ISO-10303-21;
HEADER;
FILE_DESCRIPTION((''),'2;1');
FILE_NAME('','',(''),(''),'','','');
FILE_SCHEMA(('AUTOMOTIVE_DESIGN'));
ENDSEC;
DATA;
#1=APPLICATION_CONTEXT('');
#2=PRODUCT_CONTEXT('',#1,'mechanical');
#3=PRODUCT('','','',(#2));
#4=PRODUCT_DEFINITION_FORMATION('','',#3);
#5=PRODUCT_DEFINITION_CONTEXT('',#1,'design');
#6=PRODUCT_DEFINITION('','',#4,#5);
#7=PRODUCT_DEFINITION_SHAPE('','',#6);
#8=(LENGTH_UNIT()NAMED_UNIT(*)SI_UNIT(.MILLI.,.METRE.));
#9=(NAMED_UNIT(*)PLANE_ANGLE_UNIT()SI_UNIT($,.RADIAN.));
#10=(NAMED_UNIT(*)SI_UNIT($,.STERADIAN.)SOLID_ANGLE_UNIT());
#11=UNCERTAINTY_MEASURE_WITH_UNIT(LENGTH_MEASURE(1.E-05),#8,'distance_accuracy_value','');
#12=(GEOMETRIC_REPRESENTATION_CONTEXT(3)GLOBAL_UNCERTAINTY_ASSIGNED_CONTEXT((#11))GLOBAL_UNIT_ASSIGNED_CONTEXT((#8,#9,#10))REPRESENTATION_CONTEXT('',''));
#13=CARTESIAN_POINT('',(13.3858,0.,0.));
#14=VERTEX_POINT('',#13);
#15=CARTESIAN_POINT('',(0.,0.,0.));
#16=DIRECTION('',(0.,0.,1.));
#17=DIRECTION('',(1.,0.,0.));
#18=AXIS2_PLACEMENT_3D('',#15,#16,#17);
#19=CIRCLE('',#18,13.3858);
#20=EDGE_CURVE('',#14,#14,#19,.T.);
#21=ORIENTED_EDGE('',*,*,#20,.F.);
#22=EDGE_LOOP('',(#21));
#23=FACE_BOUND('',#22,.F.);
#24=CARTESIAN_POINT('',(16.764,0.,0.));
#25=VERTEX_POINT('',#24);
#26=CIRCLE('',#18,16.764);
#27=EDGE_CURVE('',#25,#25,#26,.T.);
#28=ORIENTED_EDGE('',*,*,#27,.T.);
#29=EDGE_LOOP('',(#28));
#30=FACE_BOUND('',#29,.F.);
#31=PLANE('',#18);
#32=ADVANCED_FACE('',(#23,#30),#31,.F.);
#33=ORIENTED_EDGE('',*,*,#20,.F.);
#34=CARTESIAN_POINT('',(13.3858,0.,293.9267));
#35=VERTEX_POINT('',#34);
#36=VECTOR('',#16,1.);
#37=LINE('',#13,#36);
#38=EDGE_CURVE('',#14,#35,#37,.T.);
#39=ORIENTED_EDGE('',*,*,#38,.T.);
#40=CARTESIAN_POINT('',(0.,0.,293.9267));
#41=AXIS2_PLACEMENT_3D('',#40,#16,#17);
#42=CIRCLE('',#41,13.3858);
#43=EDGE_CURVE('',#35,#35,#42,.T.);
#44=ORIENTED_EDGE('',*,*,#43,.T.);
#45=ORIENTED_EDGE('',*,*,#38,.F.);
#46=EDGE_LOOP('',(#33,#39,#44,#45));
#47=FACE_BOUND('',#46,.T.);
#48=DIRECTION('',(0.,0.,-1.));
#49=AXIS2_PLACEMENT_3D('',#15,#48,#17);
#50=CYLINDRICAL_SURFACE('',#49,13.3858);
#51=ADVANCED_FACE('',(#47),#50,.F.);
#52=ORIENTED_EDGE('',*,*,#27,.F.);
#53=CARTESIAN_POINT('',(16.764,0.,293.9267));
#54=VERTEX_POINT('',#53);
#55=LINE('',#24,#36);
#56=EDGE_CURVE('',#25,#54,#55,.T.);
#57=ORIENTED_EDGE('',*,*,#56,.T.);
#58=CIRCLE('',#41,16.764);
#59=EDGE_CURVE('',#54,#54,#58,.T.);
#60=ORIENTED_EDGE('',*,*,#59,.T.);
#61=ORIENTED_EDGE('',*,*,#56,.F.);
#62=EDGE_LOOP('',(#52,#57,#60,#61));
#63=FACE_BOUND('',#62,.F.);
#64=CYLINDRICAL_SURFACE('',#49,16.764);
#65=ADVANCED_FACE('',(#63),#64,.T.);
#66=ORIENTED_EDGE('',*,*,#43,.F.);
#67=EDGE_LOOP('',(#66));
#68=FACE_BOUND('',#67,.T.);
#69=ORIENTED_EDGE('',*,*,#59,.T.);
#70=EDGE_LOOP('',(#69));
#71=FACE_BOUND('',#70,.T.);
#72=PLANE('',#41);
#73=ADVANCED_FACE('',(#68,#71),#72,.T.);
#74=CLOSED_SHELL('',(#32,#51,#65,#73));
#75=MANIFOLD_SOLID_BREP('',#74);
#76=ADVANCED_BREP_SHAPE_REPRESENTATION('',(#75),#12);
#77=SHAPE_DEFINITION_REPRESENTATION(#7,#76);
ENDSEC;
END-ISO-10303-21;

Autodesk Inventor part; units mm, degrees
ref_plane "YZ Plane" through (0, 0, 0) normal (1, 0, 0) x (0, 1, 0)
ref_plane "Start plane" through (0, 0, 0) normal (0, 0, 1) x (1, 0, 0)
ref_plane "End plane" through (0, 0, 293.9267) normal (0, 0, 1) x (1, 0, 0)
sketch "Sketch" plane through (0, 0, 0) normal (0, 0, 1) x (1, 0, 0)
  circle A0 centre (0, 0) radius 13.3858
  circle A1 centre (0, 0) radius 16.764
  dimension "d0" = 33.528
  dimension "d1" = 3.3782
extrude "Body" add sketch "Sketch" along normal up to surface (293.9267 mm away) from surface at 0
sketch "Sketch3" plane through (0, 0, 0) normal (0, 0, 1) x (1, 0, 0)
  line L0 (0, 0) -> (10, 0)
ref_plane "Work Plane3" through (0, 0, 0) normal (0, -1, 0) x (1, 0, 0)
sketch "Sketch4" plane through (0, 0, 0) normal (0, -1, 0) x (1, 0, 0)
  line L0 (-2, 0) -> (12, 0)
  line L1 (-2, 293.9267) -> (12, 293.9267)
  dimension "d7" = 293.9267
equation "\"d0\" = G_H"
equation "\"d1\" = G_T"
equation "\"d2\" = G_L"
equation "\"G_H\" = 33.528"
equation "\"G_T\" = 3.3782"
equation "\"G_L\" = d7"
equation "\"G_OFFSET_START\" = 0"
equation "\"G_OFFSET_END\" = 0"
equation "\"d5\" = G_OFFSET_END + B_L"
equation "\"B_L\" = 293.92668"
properties part number "ANSI - 1 x 0.133 - 11,572" material "Steel, Mild, Welded"
